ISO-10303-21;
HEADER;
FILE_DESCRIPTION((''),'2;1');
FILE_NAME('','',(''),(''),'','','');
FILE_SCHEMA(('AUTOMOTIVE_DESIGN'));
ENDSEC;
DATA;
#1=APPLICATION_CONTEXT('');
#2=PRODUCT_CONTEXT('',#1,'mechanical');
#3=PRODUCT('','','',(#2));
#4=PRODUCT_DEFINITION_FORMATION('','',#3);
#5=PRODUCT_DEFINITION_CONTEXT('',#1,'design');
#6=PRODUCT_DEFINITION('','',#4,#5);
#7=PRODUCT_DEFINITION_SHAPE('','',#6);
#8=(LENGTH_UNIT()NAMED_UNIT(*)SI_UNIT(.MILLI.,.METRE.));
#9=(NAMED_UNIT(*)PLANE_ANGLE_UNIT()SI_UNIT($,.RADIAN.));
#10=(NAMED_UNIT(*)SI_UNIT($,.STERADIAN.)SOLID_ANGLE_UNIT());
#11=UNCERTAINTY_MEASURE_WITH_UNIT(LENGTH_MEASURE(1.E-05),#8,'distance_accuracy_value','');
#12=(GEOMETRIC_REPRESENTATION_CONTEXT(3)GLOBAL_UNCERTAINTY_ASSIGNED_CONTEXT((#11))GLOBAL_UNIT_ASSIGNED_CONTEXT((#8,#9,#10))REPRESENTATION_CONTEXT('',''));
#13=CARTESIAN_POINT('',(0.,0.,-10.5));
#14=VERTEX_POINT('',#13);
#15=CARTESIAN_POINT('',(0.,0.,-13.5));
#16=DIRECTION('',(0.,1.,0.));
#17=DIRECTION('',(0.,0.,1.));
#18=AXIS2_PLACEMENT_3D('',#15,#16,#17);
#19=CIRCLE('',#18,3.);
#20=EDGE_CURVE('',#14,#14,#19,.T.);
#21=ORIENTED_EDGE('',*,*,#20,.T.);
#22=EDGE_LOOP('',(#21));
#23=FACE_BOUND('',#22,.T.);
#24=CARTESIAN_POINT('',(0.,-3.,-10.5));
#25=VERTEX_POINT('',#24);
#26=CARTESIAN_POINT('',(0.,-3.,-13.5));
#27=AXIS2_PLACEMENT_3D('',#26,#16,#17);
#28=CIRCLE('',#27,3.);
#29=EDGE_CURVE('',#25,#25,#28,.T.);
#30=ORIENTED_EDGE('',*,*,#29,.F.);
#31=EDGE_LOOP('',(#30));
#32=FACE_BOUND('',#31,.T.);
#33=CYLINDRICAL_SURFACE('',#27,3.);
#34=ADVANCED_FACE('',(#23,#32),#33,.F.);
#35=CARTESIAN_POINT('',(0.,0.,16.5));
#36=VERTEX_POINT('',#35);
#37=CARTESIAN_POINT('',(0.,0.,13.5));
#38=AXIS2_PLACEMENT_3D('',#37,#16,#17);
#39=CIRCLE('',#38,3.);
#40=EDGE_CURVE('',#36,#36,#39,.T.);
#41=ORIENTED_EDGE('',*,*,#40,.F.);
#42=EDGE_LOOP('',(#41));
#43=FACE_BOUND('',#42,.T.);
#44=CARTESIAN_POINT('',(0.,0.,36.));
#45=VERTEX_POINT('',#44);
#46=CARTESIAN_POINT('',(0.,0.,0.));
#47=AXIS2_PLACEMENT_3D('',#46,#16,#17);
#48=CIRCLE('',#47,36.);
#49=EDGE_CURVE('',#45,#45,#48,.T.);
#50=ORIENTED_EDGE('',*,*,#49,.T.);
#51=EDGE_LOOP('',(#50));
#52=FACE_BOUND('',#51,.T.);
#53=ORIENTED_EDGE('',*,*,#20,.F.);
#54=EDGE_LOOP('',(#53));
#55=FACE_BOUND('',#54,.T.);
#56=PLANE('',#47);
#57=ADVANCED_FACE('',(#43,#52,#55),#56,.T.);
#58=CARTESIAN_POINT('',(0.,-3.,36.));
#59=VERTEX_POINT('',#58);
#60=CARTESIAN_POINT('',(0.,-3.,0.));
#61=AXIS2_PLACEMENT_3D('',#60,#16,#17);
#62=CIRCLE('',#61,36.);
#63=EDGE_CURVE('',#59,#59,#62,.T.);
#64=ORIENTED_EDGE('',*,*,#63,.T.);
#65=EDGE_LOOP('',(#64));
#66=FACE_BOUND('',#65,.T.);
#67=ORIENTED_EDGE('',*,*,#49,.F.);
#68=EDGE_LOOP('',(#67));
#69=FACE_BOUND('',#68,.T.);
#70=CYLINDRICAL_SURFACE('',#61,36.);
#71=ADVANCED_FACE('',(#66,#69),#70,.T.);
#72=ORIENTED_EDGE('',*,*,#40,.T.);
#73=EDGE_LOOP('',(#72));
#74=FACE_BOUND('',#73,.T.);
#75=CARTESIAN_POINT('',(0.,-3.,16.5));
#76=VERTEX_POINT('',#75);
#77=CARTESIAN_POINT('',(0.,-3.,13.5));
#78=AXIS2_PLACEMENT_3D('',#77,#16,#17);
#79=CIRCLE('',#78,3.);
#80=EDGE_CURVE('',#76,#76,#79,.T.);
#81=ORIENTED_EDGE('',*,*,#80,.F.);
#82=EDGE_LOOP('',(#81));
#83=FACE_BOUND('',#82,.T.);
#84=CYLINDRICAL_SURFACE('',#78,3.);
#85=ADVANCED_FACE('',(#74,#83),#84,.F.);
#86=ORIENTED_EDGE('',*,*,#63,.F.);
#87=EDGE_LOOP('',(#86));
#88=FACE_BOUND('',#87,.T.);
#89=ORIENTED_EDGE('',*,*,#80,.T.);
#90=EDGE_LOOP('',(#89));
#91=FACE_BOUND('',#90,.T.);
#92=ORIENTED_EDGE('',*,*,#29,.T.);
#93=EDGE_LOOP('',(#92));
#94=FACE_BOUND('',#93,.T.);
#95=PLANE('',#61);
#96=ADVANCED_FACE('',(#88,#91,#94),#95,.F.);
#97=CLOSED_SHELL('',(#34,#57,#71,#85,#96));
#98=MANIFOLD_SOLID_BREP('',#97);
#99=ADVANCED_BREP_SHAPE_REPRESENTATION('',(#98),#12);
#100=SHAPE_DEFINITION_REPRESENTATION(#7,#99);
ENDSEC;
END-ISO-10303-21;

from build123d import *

# Parameters (mm, degrees)
SKETCH1_R           = 36
SKETCH1_R_2         = 3
BOSS_EXTRUDE1_DEPTH = 3


with BuildPart() as part:
    # Sketch1 → Boss-Extrude1 (new body)
    with BuildSketch(Plane(origin=(0, 0, 0), x_dir=(1, 0, 0), z_dir=(0, 1, 0))):
        with Locations(Location((0, 0, 0), (0, 0, 270))):
            Circle(SKETCH1_R)
        with Locations(Location((0, 13.5, 0), (0, 0, 270))):
            Circle(SKETCH1_R_2, mode=Mode.SUBTRACT)
        with Locations(Location((0, -13.5, 0), (0, 0, 270))):
            Circle(SKETCH1_R_2, mode=Mode.SUBTRACT)
    extrude(amount=-BOSS_EXTRUDE1_DEPTH)


solid = part.part
